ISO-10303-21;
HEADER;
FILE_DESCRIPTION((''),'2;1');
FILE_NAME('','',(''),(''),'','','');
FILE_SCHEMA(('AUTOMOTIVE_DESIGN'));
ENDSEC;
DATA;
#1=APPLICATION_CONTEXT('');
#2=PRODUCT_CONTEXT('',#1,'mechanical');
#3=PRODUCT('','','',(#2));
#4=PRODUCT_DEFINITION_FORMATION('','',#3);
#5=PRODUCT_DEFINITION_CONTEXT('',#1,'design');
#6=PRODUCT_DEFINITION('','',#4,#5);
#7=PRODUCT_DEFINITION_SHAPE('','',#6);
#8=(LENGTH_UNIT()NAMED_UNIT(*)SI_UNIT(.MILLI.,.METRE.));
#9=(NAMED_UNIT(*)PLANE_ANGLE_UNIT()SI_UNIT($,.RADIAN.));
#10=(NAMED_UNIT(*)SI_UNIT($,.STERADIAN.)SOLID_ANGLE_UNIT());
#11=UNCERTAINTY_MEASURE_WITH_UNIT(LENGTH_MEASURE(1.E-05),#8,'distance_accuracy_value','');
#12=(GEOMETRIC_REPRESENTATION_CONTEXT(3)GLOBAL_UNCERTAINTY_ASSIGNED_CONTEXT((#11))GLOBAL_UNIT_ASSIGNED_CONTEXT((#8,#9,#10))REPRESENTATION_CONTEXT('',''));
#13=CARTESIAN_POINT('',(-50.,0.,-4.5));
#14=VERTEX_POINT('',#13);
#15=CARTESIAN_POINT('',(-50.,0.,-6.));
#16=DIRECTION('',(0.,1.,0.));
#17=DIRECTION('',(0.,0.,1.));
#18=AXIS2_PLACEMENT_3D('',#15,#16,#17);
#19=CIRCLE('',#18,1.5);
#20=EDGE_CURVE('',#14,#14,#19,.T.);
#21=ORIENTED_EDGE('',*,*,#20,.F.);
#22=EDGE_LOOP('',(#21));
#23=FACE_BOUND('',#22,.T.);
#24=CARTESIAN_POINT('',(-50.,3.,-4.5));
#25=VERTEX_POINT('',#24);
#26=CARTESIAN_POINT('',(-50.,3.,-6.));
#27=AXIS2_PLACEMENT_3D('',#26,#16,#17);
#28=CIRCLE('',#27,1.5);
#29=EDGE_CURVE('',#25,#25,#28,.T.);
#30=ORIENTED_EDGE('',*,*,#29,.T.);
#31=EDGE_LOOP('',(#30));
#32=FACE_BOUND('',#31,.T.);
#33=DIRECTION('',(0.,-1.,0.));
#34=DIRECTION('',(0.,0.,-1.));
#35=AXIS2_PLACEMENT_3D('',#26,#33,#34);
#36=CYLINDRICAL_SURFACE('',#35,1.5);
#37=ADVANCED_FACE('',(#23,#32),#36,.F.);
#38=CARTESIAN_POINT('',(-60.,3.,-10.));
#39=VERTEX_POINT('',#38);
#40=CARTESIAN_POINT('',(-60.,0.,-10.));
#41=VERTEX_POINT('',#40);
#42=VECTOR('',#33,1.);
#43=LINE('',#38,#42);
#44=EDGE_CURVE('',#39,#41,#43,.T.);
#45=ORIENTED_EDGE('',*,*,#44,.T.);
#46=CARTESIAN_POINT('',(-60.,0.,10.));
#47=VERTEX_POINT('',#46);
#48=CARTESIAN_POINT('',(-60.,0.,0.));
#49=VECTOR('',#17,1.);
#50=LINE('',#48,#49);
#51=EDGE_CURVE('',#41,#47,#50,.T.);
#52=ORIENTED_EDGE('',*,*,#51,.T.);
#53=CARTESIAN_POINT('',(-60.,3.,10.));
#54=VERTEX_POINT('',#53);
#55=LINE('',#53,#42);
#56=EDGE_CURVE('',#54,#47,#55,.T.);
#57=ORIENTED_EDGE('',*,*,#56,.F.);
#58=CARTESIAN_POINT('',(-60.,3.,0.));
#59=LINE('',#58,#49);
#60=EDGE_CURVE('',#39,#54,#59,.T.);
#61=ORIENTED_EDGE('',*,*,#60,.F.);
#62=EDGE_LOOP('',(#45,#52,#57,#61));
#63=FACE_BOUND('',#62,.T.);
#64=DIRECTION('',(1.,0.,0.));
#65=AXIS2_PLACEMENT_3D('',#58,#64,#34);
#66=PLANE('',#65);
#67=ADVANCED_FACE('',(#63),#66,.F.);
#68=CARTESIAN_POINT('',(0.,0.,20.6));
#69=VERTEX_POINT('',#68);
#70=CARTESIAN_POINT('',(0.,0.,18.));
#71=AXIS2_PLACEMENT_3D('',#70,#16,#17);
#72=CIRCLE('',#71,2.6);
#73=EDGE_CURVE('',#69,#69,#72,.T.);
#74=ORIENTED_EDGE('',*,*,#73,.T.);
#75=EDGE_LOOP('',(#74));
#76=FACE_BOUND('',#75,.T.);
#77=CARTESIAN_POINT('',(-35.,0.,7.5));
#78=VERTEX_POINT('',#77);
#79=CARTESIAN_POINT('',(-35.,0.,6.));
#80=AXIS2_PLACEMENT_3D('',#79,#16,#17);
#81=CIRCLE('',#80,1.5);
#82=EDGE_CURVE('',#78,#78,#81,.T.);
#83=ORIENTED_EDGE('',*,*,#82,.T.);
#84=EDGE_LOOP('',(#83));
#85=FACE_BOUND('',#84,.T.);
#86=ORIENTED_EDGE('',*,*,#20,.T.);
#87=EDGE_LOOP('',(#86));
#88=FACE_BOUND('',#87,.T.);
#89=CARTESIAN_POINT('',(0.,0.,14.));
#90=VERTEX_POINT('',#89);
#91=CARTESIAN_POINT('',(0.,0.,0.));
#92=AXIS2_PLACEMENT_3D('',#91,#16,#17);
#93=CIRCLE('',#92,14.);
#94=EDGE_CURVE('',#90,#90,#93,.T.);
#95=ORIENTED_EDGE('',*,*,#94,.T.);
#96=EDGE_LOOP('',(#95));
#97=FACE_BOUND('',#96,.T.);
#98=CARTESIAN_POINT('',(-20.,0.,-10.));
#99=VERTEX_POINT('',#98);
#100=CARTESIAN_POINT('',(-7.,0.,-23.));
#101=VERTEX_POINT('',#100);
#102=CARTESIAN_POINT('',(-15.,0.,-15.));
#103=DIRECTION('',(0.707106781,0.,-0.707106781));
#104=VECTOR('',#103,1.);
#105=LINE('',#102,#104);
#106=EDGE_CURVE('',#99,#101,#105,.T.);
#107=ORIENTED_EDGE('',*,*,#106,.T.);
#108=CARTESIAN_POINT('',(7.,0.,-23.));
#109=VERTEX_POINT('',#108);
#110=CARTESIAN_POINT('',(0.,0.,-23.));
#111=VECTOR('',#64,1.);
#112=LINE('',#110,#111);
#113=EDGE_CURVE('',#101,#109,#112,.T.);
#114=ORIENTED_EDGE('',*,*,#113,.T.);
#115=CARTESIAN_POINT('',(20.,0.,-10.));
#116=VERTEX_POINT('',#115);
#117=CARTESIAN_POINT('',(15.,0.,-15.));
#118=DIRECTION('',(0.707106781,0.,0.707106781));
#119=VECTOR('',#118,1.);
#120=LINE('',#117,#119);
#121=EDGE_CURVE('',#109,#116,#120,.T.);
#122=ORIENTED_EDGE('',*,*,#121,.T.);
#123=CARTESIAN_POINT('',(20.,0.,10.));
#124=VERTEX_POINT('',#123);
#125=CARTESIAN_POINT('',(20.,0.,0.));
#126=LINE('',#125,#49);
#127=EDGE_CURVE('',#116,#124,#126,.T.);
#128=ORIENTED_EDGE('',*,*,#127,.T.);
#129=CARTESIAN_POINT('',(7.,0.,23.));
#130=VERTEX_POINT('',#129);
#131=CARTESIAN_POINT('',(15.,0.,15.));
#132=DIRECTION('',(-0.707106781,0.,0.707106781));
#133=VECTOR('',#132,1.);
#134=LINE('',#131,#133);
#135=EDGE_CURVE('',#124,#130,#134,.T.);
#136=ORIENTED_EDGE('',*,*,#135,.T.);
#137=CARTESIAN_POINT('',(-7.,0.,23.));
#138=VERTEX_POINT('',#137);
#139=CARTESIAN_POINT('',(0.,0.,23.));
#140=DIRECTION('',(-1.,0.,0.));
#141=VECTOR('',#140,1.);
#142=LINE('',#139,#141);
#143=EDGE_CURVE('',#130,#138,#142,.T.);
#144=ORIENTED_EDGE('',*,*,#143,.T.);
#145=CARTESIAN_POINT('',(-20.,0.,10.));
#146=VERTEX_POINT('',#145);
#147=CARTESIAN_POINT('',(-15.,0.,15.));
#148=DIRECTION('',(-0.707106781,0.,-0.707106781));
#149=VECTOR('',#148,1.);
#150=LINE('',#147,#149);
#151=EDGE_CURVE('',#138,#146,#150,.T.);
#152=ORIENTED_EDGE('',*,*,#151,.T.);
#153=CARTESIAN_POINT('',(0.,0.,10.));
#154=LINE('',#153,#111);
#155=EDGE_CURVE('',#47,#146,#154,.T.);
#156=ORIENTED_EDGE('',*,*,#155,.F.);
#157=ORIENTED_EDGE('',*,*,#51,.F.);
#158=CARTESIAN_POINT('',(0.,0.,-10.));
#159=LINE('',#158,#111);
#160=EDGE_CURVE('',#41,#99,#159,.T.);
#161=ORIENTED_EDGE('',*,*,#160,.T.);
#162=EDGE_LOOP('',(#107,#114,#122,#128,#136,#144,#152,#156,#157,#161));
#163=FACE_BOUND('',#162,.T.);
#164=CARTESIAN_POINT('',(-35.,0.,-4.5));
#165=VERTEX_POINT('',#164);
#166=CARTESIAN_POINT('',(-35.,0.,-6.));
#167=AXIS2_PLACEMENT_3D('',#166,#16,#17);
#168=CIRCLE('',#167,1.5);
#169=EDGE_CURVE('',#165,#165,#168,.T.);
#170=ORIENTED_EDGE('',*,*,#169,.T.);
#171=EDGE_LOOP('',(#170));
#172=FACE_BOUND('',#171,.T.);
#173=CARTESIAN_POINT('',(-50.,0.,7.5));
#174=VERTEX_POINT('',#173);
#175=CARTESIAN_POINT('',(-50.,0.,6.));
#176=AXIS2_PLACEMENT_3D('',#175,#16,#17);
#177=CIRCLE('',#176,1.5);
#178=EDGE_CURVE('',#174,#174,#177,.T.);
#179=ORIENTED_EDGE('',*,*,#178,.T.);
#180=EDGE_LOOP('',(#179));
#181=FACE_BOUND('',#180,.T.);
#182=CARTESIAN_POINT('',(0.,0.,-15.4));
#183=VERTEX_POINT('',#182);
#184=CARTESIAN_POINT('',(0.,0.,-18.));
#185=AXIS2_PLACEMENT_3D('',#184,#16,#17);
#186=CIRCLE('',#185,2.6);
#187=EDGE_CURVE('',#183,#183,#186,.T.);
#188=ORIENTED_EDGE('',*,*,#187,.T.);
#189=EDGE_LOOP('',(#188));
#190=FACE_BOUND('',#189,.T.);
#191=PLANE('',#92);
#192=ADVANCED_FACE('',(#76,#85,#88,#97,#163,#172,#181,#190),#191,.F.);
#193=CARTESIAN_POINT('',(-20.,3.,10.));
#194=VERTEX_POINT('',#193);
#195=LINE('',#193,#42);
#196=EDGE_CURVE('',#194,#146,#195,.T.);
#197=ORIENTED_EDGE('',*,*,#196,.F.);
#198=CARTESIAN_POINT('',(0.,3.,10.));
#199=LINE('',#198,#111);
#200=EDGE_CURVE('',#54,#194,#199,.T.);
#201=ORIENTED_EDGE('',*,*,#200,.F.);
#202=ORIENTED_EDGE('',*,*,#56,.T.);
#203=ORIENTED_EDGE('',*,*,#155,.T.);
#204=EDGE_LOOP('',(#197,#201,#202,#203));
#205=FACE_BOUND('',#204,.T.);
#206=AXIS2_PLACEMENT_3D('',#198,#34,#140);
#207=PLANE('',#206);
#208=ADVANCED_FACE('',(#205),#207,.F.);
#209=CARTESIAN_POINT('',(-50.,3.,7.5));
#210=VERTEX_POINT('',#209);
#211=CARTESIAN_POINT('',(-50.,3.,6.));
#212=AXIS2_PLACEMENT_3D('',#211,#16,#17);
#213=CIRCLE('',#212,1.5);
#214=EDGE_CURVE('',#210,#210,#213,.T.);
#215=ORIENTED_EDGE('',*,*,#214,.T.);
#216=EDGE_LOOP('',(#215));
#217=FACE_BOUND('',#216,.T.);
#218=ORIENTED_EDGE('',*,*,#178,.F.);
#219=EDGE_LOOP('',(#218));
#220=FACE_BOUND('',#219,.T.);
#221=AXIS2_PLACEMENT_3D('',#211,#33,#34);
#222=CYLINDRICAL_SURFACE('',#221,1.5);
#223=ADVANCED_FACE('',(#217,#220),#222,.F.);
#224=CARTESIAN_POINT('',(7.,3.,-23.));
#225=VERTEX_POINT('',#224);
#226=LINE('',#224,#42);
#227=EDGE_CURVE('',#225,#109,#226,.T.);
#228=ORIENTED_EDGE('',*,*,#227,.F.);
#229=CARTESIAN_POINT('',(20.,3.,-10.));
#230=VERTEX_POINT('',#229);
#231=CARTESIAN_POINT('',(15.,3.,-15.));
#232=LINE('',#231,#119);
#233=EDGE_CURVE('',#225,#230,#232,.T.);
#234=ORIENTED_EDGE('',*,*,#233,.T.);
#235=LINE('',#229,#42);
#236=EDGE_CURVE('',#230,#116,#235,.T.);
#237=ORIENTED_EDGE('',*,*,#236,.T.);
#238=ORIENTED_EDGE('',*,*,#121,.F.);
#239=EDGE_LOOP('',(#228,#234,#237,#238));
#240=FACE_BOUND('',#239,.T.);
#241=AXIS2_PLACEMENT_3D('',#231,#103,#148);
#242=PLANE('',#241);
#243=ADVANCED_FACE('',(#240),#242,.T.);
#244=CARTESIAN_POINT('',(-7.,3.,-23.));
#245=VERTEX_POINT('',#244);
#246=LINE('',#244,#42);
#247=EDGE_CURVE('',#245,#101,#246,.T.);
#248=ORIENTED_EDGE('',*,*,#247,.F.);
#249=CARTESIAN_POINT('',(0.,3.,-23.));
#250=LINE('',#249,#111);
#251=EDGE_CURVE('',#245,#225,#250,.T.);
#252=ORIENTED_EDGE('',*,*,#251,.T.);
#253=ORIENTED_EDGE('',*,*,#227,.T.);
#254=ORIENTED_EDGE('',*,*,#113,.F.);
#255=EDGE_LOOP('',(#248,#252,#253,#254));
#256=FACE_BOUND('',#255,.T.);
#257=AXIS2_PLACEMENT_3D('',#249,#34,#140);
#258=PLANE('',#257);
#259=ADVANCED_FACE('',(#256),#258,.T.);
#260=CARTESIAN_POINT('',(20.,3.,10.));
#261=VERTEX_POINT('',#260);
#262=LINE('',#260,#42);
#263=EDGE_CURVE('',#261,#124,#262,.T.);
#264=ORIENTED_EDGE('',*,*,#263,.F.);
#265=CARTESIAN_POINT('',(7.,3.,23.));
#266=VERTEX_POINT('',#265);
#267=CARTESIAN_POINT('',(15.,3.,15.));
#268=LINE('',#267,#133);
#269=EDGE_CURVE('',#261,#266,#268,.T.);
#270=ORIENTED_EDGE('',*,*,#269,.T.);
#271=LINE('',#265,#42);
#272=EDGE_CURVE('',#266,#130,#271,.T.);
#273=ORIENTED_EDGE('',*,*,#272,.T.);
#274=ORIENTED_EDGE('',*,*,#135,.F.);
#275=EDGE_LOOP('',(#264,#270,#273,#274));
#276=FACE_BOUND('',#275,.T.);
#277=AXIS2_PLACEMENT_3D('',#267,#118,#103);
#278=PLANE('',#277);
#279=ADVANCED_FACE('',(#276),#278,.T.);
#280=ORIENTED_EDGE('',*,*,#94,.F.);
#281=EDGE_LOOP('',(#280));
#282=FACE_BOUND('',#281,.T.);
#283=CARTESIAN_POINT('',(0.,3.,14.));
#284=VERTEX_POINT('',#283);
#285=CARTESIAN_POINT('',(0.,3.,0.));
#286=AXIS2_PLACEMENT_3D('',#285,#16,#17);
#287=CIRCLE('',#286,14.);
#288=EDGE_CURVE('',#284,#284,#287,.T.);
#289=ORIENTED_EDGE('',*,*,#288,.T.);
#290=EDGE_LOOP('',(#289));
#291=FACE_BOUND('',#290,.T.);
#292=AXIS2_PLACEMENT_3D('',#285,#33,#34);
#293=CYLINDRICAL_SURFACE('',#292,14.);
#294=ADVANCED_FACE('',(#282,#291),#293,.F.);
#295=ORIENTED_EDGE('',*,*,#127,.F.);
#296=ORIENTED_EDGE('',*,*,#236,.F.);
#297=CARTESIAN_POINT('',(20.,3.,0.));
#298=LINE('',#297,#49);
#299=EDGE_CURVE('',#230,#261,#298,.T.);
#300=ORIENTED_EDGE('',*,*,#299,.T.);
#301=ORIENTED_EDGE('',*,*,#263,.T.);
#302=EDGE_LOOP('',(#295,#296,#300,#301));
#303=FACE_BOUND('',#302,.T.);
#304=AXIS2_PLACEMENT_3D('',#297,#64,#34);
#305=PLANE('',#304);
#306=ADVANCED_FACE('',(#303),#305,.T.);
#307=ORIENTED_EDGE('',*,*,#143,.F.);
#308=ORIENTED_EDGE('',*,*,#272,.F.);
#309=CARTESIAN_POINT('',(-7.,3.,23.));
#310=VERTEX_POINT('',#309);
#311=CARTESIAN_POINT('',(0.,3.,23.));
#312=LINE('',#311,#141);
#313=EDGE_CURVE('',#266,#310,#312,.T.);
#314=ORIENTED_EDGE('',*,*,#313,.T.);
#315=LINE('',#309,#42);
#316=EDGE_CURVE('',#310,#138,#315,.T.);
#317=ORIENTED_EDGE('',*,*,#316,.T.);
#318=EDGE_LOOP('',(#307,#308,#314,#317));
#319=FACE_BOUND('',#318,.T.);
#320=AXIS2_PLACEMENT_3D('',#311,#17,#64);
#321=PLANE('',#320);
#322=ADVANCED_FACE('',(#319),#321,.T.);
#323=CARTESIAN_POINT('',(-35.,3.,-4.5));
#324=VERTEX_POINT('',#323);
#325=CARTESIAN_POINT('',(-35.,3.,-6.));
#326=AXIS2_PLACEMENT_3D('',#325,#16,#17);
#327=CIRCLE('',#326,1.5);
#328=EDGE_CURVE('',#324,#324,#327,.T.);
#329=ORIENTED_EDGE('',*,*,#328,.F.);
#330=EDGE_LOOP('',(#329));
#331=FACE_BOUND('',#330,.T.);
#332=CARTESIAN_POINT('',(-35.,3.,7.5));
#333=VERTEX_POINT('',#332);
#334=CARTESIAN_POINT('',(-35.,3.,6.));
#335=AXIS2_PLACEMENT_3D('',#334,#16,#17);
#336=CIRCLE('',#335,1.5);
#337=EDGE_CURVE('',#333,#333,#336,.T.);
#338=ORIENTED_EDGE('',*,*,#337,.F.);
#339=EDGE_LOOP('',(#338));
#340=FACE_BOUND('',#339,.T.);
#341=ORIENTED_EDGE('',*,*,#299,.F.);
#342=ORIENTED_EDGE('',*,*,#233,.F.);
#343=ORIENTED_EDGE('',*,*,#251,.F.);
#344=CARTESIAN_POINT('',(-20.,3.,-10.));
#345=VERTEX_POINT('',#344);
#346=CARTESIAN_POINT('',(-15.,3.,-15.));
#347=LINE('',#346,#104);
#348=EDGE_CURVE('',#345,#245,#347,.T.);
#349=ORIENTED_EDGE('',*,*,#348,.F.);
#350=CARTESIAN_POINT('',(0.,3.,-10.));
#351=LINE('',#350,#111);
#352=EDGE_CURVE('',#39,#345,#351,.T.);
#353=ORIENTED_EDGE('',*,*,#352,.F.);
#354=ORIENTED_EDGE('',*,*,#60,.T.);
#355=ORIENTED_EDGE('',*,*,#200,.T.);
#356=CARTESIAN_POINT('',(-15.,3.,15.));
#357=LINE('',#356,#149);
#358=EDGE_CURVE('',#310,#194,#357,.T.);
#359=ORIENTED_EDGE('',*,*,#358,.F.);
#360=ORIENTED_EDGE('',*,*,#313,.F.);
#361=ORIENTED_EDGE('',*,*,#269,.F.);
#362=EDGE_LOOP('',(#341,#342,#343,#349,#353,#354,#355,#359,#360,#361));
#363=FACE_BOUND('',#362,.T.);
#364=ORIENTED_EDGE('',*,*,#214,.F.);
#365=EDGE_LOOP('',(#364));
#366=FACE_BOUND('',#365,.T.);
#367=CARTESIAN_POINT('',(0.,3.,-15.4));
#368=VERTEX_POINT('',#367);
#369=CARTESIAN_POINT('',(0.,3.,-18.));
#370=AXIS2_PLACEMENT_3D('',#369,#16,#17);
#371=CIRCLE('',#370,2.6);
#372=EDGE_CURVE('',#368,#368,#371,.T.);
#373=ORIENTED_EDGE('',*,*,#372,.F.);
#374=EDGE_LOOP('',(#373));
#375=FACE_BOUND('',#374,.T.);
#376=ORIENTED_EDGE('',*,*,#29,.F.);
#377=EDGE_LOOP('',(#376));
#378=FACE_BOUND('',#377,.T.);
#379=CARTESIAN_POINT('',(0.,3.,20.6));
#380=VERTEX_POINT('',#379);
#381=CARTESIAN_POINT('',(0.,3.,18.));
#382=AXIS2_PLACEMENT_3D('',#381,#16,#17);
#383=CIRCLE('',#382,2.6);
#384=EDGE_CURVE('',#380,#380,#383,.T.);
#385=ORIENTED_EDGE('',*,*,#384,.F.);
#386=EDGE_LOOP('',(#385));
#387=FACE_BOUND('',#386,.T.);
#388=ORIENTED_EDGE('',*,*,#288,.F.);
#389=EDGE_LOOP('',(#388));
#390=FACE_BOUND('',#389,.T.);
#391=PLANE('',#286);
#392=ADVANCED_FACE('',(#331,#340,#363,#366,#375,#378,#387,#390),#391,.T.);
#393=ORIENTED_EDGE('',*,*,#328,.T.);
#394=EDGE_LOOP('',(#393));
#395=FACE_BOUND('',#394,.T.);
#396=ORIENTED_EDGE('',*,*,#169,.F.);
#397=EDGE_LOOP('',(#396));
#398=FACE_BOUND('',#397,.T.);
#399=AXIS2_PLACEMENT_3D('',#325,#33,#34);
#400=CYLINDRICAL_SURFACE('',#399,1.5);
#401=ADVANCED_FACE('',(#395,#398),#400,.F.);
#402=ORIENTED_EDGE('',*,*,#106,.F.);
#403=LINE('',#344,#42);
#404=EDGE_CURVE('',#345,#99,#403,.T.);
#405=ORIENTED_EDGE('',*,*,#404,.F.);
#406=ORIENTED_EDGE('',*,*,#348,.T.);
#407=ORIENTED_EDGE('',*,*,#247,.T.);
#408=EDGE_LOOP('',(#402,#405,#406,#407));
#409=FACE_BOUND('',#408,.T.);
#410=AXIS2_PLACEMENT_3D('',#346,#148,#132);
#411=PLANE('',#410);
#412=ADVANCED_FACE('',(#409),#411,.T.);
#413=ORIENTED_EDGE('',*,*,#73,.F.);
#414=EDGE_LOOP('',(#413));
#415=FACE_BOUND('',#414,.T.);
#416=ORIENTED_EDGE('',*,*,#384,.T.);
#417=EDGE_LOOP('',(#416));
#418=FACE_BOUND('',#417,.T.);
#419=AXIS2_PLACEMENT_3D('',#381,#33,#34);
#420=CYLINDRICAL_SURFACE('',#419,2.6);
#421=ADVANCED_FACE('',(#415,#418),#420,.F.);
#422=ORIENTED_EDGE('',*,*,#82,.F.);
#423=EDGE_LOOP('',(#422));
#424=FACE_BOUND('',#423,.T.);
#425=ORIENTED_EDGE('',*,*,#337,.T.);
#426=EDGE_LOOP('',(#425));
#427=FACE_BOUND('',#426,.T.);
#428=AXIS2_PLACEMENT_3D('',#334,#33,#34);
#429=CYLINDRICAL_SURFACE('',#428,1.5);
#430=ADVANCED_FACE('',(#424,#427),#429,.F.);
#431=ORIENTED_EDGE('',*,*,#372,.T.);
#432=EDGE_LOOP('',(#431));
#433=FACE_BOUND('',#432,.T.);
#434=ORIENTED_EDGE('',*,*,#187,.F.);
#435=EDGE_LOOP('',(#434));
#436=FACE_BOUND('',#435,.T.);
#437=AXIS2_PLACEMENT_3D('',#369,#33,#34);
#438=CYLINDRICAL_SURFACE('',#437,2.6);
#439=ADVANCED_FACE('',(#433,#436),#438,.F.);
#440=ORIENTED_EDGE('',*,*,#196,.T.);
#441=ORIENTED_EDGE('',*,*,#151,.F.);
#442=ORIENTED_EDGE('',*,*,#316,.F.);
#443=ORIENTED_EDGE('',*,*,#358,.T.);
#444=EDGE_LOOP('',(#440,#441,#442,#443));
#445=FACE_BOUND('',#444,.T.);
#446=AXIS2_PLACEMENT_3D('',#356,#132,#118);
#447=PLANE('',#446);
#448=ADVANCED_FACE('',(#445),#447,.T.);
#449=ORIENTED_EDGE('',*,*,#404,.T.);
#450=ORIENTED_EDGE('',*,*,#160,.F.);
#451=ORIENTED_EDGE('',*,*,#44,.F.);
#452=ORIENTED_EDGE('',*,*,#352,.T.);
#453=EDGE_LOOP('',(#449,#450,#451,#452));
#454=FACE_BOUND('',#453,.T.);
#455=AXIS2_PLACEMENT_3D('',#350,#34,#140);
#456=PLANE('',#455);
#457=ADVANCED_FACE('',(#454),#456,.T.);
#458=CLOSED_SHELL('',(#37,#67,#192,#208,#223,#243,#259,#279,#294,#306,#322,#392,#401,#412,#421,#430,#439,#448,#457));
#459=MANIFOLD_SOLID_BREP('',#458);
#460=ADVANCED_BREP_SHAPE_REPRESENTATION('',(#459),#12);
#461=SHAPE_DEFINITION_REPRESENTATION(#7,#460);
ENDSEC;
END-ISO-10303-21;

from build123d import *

# Parameters (mm, degrees)
SKETCH_1_R      = 1.5
SKETCH_1_R_2    = 14
SKETCH_1_R_3    = 2.6
EXTRUDE_1_DEPTH = 3


with BuildPart() as part:
    # 草图1 → 凸台-拉伸1 (new body)
    with BuildSketch(Plane(origin=(0, 0, 0), x_dir=(1, 0, 0), z_dir=(0, 1, 0))):
        Polygon((-60, 10), (-20, 10), (-7, 23), (7, 23), (20, 10), (20, -10), (7, -23), (-7, -23), (-20, -10), (-60, -10), align=None)
        with Locations((-35, 6)):
            Circle(SKETCH_1_R, mode=Mode.SUBTRACT)
        with Locations((-50, 6)):
            Circle(SKETCH_1_R, mode=Mode.SUBTRACT)
        with Locations((-35, -6)):
            Circle(SKETCH_1_R, mode=Mode.SUBTRACT)
        with Locations((-50, -6)):
            Circle(SKETCH_1_R, mode=Mode.SUBTRACT)
        Circle(SKETCH_1_R_2, mode=Mode.SUBTRACT)
        with Locations((0, 18)):
            Circle(SKETCH_1_R_3, mode=Mode.SUBTRACT)
        with Locations((0, -18)):
            Circle(SKETCH_1_R_3, mode=Mode.SUBTRACT)
    extrude(amount=EXTRUDE_1_DEPTH)


solid = part.part
